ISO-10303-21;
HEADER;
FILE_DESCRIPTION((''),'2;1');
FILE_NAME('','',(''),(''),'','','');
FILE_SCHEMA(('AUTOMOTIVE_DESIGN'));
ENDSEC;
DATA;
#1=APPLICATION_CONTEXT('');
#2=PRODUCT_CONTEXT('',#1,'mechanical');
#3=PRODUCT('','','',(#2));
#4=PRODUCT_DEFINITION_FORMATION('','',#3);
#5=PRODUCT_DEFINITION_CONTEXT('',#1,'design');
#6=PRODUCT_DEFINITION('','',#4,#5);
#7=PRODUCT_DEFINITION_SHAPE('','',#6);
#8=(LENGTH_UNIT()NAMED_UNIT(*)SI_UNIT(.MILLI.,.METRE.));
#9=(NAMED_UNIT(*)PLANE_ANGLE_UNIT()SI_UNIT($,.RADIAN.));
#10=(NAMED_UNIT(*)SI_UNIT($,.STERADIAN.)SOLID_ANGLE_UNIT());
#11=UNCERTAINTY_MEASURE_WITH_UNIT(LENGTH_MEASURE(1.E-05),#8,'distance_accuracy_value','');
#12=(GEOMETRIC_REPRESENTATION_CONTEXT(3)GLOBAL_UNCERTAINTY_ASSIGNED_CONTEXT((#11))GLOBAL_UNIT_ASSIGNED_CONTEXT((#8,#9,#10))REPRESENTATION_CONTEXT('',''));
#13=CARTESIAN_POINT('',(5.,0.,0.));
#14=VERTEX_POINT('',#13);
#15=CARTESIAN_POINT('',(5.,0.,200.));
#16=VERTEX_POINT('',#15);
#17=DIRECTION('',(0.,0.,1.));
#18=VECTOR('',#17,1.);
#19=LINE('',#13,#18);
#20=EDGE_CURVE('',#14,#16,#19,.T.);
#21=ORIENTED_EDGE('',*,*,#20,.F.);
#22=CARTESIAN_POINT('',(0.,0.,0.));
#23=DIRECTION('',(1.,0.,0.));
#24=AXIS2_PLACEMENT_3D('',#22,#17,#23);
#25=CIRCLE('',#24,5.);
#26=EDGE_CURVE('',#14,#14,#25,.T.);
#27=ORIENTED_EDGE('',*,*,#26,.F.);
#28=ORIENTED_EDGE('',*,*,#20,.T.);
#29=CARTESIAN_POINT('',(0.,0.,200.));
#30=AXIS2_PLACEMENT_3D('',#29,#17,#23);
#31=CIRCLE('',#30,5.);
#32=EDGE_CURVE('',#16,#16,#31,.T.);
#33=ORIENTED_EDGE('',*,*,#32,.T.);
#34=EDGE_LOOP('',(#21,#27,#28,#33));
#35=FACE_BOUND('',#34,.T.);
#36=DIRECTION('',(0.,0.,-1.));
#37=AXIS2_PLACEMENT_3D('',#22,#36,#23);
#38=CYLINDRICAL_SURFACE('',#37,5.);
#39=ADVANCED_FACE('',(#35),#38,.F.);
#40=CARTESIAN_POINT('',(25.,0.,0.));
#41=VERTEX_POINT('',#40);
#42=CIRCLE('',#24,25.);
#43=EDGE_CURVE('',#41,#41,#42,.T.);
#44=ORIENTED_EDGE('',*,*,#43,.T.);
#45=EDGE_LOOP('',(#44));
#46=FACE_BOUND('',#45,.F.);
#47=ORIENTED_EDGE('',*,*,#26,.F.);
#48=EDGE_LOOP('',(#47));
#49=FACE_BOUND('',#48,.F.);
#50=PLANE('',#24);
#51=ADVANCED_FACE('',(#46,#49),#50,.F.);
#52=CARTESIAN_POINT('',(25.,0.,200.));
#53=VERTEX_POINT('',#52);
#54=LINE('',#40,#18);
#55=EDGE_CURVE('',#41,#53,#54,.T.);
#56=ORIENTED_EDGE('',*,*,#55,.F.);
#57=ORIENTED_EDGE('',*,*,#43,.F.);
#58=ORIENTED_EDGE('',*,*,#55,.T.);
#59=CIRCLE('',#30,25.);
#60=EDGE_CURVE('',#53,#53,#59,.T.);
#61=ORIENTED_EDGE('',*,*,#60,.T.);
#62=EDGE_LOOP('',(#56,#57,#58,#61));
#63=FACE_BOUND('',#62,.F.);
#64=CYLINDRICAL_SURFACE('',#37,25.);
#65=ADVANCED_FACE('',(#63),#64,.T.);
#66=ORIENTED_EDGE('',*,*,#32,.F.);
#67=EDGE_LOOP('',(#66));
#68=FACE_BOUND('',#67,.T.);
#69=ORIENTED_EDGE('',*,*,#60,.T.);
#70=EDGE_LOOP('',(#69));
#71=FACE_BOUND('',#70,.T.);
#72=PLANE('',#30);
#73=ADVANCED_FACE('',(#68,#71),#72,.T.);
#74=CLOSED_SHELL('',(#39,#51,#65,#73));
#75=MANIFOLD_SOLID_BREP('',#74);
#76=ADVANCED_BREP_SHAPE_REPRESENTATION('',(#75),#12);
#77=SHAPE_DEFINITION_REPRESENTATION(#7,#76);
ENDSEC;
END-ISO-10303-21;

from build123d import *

# Parameters (mm, degrees)
F0_R     = 25
F0_R_2   = 5
F1_DEPTH = 200
F2_DEPTH = 200


with BuildPart() as f1:
    # F0 (on Top) → F1 (new body)
    with BuildSketch(Plane.XY):
        Circle(F0_R)
        Circle(F0_R_2, mode=Mode.SUBTRACT)
    extrude(amount=F1_DEPTH)

    # F0 (on Top) → F2 (cut)
    with BuildSketch(Plane.XY):
        Circle(F0_R_2)
    extrude(amount=F2_DEPTH, mode=Mode.SUBTRACT)


solid = f1.part
